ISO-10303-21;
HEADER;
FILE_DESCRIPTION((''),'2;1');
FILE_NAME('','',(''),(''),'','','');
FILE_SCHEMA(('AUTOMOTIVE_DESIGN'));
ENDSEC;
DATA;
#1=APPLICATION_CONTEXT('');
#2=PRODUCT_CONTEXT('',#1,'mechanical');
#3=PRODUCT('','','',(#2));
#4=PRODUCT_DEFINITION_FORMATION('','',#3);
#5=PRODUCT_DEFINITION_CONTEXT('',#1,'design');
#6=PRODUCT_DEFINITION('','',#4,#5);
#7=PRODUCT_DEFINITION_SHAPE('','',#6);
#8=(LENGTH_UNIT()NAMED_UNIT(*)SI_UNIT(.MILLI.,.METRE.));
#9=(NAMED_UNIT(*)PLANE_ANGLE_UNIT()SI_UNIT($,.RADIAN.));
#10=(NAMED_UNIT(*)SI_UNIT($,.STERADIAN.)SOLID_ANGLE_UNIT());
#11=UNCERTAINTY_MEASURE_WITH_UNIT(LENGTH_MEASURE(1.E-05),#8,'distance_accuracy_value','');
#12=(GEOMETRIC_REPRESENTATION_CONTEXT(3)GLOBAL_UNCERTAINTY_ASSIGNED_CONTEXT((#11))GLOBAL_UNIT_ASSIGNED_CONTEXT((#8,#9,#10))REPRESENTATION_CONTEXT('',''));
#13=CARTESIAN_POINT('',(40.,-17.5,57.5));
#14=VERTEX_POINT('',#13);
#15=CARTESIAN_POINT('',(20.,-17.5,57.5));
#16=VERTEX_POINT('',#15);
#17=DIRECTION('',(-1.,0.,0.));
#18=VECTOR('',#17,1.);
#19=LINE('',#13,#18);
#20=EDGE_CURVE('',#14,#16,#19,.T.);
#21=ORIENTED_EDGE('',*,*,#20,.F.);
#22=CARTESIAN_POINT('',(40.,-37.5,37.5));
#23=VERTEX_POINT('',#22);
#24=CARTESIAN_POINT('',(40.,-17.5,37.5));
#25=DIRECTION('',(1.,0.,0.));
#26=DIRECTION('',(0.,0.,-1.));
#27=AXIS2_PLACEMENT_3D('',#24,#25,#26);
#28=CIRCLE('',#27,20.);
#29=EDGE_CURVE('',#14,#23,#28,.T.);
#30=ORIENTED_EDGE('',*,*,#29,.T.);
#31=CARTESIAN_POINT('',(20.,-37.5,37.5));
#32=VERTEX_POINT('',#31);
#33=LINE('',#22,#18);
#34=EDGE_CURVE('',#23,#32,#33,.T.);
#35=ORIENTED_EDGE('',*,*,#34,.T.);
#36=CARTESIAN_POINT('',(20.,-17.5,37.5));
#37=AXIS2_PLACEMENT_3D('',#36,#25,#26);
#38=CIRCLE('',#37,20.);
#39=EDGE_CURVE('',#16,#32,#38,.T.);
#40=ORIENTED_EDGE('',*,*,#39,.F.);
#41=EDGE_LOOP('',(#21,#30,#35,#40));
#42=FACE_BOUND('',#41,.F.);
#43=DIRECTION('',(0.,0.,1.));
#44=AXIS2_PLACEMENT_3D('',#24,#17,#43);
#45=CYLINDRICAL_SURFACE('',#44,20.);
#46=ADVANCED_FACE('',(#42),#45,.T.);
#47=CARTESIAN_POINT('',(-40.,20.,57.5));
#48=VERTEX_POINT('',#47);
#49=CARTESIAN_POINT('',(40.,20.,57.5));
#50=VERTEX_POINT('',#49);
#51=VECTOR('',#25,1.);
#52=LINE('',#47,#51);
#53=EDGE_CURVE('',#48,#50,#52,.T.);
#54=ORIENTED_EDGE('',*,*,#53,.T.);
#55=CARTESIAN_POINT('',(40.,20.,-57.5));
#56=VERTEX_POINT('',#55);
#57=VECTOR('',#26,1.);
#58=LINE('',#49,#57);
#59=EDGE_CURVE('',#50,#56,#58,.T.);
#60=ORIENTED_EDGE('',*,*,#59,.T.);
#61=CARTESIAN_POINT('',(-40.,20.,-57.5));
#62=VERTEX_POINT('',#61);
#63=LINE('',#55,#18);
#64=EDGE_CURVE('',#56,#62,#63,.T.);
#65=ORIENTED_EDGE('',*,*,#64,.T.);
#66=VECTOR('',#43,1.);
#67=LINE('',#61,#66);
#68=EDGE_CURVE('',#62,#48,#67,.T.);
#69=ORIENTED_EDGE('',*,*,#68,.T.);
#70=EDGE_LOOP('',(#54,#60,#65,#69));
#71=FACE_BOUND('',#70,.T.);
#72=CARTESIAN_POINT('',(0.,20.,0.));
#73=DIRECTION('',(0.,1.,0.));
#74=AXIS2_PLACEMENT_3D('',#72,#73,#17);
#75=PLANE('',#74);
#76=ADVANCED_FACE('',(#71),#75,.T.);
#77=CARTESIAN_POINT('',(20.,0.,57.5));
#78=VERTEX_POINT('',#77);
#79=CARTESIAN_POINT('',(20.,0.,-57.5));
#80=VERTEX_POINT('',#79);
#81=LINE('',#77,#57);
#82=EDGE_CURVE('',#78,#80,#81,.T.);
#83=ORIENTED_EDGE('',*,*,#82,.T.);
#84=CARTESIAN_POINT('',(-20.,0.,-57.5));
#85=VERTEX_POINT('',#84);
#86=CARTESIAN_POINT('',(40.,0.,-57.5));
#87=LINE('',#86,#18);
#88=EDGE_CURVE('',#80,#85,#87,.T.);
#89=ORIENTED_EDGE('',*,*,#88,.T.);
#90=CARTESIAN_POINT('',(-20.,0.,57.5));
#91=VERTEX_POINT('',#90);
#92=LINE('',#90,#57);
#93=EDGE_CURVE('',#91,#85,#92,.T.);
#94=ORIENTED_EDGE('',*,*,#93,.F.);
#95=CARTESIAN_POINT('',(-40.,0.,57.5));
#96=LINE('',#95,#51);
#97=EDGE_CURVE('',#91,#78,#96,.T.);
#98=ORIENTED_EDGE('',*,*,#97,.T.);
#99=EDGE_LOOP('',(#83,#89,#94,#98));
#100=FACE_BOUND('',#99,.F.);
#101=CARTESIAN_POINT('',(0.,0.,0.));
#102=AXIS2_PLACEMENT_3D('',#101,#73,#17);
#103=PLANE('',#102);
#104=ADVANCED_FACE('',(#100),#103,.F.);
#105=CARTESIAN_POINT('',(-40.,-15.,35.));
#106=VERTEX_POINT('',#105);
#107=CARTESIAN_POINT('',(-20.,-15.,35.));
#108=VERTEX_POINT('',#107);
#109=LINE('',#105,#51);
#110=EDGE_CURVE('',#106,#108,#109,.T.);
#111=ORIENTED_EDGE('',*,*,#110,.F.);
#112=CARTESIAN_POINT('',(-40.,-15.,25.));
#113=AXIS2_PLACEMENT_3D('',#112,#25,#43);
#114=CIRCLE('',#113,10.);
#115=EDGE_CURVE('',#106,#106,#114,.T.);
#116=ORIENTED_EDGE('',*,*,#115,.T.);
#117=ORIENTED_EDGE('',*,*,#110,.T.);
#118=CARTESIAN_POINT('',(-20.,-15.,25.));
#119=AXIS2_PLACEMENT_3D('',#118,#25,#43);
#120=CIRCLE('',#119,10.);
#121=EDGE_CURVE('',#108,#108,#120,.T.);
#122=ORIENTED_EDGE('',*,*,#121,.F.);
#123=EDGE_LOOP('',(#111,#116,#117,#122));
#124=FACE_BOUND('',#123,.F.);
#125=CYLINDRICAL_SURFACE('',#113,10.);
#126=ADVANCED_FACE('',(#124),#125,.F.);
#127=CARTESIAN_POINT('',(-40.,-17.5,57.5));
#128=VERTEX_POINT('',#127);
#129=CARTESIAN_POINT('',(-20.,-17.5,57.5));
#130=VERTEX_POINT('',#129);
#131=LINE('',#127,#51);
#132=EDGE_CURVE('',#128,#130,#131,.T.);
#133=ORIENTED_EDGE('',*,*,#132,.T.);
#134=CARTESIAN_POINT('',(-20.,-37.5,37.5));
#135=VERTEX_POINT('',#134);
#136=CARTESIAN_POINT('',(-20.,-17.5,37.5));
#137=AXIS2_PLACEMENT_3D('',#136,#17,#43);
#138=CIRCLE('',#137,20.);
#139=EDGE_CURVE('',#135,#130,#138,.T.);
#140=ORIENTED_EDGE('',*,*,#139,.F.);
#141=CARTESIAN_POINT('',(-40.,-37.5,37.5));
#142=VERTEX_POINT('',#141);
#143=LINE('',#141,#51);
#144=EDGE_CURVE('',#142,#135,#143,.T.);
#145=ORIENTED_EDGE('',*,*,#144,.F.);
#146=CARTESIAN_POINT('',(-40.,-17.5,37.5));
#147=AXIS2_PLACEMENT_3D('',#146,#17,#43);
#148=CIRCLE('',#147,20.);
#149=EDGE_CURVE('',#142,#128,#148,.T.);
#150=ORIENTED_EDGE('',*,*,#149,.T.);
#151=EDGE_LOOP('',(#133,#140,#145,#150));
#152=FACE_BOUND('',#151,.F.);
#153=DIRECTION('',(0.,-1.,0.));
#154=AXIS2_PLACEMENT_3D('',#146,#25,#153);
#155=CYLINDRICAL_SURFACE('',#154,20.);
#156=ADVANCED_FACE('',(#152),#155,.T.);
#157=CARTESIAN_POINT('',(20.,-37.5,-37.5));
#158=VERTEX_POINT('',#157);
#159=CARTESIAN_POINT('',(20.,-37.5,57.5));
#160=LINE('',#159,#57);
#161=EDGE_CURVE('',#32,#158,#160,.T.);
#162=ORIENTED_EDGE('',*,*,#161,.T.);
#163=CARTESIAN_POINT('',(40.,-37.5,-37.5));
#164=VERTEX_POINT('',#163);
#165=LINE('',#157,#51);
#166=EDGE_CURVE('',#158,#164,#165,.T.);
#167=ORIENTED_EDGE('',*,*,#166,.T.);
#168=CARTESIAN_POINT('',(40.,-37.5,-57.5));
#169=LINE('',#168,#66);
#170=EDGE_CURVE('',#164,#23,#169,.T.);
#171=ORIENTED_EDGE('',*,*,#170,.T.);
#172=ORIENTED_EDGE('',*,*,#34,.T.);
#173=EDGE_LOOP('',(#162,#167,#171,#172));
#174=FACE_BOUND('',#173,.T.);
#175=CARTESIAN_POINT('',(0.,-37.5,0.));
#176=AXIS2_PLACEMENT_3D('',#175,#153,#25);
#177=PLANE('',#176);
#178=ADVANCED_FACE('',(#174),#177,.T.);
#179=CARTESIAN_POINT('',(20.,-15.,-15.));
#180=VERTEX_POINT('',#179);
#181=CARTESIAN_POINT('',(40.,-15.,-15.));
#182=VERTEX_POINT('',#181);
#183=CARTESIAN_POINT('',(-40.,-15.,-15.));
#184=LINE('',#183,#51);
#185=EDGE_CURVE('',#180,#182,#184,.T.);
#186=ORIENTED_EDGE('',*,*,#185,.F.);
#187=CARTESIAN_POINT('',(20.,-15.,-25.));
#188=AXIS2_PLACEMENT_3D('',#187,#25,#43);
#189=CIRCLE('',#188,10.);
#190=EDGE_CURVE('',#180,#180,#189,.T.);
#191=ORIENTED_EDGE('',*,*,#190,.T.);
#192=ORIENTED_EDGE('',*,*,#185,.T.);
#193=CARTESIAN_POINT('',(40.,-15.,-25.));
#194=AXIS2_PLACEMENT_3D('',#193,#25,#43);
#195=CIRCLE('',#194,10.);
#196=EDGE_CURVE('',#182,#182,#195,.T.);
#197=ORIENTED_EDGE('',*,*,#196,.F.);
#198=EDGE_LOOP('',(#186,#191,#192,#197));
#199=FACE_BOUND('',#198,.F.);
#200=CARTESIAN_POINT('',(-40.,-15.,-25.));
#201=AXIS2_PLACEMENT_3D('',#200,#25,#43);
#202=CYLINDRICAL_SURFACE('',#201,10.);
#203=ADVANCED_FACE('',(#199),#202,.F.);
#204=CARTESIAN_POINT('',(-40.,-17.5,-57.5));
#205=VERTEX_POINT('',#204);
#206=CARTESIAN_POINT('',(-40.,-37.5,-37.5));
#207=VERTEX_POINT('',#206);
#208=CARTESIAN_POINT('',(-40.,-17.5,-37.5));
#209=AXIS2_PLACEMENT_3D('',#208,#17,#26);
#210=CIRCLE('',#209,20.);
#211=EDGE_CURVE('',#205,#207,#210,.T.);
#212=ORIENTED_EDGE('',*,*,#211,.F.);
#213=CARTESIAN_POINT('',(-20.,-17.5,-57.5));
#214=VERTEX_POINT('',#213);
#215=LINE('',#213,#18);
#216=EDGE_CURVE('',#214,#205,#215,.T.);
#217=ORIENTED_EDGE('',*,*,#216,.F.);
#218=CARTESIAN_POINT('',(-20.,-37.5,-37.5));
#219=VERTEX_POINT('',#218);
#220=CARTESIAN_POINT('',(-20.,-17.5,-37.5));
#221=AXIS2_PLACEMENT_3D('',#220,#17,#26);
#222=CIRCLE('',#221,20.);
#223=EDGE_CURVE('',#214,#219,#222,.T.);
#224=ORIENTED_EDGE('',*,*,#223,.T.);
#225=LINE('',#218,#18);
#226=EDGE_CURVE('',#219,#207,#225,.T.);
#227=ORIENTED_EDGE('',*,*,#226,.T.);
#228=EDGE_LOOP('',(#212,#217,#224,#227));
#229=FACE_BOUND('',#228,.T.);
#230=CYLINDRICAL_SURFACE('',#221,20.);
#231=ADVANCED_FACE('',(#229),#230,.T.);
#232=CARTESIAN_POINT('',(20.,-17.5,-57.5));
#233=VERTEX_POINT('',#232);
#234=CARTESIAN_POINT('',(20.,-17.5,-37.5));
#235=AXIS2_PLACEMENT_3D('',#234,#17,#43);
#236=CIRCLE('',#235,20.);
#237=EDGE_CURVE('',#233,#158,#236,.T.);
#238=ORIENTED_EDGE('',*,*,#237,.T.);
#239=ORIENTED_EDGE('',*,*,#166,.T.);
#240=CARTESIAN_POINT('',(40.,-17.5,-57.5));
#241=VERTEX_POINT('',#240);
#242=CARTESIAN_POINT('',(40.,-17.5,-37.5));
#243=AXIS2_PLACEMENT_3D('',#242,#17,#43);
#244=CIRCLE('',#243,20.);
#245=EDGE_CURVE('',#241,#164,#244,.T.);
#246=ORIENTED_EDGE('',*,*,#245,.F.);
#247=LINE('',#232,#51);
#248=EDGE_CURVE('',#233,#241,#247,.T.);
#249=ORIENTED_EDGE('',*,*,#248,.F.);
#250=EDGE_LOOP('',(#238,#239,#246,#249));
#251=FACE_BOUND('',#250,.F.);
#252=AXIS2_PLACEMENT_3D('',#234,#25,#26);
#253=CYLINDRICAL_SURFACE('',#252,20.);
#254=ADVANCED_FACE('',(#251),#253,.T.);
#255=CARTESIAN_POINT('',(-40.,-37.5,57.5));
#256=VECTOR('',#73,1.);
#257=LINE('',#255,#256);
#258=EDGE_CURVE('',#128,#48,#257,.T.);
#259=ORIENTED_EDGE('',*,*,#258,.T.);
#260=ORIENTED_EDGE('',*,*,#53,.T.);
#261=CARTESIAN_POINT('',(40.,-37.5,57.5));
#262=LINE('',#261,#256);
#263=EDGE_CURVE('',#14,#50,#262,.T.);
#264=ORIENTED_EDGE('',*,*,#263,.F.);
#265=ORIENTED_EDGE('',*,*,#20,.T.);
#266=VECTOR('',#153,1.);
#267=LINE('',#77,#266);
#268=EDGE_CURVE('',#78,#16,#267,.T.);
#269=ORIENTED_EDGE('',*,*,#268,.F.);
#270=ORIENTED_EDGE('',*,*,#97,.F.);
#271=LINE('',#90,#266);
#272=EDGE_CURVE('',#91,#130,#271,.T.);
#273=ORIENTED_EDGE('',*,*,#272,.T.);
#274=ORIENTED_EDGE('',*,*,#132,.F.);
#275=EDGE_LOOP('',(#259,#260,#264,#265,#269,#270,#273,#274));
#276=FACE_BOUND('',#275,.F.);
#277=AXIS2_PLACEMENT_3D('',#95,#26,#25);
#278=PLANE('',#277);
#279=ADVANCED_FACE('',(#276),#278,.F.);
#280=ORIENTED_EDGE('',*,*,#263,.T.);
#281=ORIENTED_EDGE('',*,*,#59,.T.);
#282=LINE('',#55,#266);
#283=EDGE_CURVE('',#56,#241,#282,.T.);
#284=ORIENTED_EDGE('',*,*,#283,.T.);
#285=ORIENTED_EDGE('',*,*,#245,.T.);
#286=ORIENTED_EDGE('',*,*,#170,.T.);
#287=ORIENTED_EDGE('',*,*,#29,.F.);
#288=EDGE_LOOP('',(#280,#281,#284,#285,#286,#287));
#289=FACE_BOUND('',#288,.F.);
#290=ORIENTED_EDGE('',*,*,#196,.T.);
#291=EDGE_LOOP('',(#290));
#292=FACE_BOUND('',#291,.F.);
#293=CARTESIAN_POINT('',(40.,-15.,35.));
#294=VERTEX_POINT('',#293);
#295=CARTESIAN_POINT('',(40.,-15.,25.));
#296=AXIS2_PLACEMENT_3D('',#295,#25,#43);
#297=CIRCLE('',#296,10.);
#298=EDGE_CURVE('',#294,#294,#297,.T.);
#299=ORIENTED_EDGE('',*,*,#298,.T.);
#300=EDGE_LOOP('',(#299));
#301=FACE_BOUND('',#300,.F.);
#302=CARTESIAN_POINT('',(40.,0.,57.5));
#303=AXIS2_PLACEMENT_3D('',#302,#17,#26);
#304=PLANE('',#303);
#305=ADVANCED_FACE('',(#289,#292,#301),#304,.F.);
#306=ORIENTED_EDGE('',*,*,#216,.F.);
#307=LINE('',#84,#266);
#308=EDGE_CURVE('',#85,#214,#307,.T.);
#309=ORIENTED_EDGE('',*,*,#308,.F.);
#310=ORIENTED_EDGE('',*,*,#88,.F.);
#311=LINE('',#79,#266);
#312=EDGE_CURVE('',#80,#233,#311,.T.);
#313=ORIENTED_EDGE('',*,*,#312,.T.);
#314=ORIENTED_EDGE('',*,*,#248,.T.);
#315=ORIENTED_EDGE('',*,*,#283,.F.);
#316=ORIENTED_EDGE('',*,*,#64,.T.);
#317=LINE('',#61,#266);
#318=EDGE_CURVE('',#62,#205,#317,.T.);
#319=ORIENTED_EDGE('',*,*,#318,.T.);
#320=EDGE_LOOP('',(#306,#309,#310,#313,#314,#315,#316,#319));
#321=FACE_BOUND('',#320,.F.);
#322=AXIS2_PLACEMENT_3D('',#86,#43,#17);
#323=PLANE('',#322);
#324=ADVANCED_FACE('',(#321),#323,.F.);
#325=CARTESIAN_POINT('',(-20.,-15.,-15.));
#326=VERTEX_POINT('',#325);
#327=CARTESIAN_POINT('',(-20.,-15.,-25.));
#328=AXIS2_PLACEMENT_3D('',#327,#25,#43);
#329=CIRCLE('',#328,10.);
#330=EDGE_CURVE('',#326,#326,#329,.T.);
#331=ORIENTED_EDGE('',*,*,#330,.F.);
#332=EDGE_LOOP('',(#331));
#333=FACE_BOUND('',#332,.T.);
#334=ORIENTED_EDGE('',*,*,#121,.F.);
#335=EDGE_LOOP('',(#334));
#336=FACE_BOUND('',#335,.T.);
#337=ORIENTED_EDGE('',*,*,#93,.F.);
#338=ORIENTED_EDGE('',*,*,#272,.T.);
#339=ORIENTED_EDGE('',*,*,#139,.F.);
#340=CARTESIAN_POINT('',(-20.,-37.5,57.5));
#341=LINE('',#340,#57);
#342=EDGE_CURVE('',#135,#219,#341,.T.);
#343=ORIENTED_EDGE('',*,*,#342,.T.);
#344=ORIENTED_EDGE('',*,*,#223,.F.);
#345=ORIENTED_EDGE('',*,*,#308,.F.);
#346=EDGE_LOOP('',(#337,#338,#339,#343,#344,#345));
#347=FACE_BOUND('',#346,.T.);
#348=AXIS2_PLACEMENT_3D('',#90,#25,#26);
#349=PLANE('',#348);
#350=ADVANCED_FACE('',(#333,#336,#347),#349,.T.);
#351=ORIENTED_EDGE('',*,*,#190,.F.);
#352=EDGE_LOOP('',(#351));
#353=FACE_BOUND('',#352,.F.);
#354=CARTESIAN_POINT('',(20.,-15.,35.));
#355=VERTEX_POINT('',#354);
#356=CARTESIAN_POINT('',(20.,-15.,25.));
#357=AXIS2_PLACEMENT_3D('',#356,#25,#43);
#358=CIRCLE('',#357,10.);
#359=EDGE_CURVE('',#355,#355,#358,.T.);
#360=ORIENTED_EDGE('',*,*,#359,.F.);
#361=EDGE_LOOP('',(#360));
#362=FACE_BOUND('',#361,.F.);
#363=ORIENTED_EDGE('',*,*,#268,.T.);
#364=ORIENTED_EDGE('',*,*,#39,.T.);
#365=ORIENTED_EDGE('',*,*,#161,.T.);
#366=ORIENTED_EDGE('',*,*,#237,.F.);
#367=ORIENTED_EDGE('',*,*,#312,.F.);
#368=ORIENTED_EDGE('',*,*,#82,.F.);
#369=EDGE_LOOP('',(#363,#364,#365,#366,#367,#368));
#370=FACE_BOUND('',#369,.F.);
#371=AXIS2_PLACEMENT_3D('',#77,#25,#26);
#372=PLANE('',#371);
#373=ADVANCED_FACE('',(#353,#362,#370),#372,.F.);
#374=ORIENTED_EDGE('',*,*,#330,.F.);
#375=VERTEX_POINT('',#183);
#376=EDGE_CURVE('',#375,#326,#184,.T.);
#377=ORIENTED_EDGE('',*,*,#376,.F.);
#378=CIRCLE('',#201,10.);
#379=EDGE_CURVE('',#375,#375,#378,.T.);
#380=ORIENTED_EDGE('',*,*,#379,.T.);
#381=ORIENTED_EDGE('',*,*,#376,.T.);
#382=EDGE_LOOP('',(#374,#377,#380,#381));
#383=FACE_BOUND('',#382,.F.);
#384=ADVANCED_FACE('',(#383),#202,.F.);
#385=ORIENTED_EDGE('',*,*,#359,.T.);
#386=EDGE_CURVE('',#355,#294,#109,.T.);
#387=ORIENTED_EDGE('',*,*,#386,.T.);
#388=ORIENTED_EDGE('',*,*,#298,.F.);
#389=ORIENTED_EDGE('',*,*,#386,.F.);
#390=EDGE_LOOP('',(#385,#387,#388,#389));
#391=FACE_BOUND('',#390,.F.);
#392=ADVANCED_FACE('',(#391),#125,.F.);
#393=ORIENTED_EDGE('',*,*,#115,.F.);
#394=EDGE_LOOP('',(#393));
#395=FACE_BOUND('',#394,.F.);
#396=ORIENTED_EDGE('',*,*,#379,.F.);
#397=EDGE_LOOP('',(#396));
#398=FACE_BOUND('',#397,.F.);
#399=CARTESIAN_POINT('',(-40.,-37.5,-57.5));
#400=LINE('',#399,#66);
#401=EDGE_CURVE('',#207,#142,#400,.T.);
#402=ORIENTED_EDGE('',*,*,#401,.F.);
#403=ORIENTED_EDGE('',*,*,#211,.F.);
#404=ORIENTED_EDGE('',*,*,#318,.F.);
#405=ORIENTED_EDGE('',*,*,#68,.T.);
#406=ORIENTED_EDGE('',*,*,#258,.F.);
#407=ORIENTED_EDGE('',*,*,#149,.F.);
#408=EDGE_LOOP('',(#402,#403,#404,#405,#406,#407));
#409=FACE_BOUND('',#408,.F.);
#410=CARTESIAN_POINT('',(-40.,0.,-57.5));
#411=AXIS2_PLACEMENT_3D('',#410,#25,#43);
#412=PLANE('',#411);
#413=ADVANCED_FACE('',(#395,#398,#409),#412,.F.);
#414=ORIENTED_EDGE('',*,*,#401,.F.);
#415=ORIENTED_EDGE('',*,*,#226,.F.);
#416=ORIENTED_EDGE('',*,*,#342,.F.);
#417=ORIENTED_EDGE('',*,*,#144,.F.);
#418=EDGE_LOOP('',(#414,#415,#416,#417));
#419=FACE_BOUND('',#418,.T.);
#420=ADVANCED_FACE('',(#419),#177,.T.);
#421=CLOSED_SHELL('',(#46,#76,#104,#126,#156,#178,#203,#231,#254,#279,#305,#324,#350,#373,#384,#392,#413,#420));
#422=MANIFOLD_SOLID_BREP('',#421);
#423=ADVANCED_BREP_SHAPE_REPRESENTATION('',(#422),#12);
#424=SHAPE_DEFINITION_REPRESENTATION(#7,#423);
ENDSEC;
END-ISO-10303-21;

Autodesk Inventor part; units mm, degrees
ref_plane "YZ Plane" through (0, 0, 0) normal (1, 0, 0) x (0, 1, 0)
ref_plane "XZ Plane" through (0, 0, 0) normal (0, 1, 0) x (-1, 0, 0)
ref_plane "XY Plane" through (0, 0, 0) normal (0, 0, 1) x (1, 0, 0)
sketch "Sketch1" plane through (0, 0, 0) normal (0, 1, 0) x (-1, 0, 0)
  line L0 (40, 57.5) -> (-40, 57.5)
  line L1 (-40, 57.5) -> (-40, -57.5)
  line L2 (-40, -57.5) -> (40, -57.5)
  line L3 (40, -57.5) -> (40, 57.5)
  point P0 (0, 0)
  point P1 (40, 0)
  point P2 (0, 57.5)
  dimension "d0" = 115
  dimension "d1" = 80
extrude "Extrusion1" add sketch "Sketch1" along normal blind 20
sketch "Sketch12" plane through (0, 0, 0) normal (0, -1, 0) x (1, 0, 0)
  line L0 (-40, 57.5) -> (-20, 57.5)
  line L1 (-20, 57.5) -> (-20, -57.5)
  line L2 (-20, -57.5) -> (-40, -57.5)
  line L3 (-40, -57.5) -> (-40, 57.5)
  line L4 (-40, -57.5) -> (-40, 57.5) projected
  line L5 (0, 100.8809) -> (0, -116.5773) construction
  line L6 (40, 57.5) -> (20, 57.5)
  line L7 (20, 57.5) -> (20, -57.5)
  line L8 (20, -57.5) -> (40, -57.5)
  line L9 (40, -57.5) -> (40, 57.5)
  point P0 (0, 0)
  point P1 (-40, 0)
  point P2 (0, 0)
  point P3 (-20, 0)
  dimension "d56" = 20
  dimension "d57" = 115
extrude "Extrusion11" add sketch "Sketch12" along normal blind 37.5
sketch "Sketch13" plane through (-40, 0, 57.5) normal (-1, 0, 0) x (0, 0, 1)
  line L0 (0, 0) -> (-115, 0) projected
  point P0 (-57.5, 0)
  point P1 (-32.5, -15)
  point P2 (-82.5, -15)
  point P3 (-57.5, -15)
  point P4 (-57.5, 0)
  dimension "d129" = 25
  dimension "d130" = 25
  dimension "d131" = 15
hole "Hole2" at (-40, -15, 25) at (-40, -15, -25) direction (1, 0, 0) diameter 20 end through all
fillet "Fillet19" radius 20 4 edges at (-30, -37.5, -57.5) (30, -37.5, -57.5) (30, -37.5, 57.5) (-30, -37.5, 57.5)
properties part number "Y_Slider_Part_mit_Schrittmotor"
